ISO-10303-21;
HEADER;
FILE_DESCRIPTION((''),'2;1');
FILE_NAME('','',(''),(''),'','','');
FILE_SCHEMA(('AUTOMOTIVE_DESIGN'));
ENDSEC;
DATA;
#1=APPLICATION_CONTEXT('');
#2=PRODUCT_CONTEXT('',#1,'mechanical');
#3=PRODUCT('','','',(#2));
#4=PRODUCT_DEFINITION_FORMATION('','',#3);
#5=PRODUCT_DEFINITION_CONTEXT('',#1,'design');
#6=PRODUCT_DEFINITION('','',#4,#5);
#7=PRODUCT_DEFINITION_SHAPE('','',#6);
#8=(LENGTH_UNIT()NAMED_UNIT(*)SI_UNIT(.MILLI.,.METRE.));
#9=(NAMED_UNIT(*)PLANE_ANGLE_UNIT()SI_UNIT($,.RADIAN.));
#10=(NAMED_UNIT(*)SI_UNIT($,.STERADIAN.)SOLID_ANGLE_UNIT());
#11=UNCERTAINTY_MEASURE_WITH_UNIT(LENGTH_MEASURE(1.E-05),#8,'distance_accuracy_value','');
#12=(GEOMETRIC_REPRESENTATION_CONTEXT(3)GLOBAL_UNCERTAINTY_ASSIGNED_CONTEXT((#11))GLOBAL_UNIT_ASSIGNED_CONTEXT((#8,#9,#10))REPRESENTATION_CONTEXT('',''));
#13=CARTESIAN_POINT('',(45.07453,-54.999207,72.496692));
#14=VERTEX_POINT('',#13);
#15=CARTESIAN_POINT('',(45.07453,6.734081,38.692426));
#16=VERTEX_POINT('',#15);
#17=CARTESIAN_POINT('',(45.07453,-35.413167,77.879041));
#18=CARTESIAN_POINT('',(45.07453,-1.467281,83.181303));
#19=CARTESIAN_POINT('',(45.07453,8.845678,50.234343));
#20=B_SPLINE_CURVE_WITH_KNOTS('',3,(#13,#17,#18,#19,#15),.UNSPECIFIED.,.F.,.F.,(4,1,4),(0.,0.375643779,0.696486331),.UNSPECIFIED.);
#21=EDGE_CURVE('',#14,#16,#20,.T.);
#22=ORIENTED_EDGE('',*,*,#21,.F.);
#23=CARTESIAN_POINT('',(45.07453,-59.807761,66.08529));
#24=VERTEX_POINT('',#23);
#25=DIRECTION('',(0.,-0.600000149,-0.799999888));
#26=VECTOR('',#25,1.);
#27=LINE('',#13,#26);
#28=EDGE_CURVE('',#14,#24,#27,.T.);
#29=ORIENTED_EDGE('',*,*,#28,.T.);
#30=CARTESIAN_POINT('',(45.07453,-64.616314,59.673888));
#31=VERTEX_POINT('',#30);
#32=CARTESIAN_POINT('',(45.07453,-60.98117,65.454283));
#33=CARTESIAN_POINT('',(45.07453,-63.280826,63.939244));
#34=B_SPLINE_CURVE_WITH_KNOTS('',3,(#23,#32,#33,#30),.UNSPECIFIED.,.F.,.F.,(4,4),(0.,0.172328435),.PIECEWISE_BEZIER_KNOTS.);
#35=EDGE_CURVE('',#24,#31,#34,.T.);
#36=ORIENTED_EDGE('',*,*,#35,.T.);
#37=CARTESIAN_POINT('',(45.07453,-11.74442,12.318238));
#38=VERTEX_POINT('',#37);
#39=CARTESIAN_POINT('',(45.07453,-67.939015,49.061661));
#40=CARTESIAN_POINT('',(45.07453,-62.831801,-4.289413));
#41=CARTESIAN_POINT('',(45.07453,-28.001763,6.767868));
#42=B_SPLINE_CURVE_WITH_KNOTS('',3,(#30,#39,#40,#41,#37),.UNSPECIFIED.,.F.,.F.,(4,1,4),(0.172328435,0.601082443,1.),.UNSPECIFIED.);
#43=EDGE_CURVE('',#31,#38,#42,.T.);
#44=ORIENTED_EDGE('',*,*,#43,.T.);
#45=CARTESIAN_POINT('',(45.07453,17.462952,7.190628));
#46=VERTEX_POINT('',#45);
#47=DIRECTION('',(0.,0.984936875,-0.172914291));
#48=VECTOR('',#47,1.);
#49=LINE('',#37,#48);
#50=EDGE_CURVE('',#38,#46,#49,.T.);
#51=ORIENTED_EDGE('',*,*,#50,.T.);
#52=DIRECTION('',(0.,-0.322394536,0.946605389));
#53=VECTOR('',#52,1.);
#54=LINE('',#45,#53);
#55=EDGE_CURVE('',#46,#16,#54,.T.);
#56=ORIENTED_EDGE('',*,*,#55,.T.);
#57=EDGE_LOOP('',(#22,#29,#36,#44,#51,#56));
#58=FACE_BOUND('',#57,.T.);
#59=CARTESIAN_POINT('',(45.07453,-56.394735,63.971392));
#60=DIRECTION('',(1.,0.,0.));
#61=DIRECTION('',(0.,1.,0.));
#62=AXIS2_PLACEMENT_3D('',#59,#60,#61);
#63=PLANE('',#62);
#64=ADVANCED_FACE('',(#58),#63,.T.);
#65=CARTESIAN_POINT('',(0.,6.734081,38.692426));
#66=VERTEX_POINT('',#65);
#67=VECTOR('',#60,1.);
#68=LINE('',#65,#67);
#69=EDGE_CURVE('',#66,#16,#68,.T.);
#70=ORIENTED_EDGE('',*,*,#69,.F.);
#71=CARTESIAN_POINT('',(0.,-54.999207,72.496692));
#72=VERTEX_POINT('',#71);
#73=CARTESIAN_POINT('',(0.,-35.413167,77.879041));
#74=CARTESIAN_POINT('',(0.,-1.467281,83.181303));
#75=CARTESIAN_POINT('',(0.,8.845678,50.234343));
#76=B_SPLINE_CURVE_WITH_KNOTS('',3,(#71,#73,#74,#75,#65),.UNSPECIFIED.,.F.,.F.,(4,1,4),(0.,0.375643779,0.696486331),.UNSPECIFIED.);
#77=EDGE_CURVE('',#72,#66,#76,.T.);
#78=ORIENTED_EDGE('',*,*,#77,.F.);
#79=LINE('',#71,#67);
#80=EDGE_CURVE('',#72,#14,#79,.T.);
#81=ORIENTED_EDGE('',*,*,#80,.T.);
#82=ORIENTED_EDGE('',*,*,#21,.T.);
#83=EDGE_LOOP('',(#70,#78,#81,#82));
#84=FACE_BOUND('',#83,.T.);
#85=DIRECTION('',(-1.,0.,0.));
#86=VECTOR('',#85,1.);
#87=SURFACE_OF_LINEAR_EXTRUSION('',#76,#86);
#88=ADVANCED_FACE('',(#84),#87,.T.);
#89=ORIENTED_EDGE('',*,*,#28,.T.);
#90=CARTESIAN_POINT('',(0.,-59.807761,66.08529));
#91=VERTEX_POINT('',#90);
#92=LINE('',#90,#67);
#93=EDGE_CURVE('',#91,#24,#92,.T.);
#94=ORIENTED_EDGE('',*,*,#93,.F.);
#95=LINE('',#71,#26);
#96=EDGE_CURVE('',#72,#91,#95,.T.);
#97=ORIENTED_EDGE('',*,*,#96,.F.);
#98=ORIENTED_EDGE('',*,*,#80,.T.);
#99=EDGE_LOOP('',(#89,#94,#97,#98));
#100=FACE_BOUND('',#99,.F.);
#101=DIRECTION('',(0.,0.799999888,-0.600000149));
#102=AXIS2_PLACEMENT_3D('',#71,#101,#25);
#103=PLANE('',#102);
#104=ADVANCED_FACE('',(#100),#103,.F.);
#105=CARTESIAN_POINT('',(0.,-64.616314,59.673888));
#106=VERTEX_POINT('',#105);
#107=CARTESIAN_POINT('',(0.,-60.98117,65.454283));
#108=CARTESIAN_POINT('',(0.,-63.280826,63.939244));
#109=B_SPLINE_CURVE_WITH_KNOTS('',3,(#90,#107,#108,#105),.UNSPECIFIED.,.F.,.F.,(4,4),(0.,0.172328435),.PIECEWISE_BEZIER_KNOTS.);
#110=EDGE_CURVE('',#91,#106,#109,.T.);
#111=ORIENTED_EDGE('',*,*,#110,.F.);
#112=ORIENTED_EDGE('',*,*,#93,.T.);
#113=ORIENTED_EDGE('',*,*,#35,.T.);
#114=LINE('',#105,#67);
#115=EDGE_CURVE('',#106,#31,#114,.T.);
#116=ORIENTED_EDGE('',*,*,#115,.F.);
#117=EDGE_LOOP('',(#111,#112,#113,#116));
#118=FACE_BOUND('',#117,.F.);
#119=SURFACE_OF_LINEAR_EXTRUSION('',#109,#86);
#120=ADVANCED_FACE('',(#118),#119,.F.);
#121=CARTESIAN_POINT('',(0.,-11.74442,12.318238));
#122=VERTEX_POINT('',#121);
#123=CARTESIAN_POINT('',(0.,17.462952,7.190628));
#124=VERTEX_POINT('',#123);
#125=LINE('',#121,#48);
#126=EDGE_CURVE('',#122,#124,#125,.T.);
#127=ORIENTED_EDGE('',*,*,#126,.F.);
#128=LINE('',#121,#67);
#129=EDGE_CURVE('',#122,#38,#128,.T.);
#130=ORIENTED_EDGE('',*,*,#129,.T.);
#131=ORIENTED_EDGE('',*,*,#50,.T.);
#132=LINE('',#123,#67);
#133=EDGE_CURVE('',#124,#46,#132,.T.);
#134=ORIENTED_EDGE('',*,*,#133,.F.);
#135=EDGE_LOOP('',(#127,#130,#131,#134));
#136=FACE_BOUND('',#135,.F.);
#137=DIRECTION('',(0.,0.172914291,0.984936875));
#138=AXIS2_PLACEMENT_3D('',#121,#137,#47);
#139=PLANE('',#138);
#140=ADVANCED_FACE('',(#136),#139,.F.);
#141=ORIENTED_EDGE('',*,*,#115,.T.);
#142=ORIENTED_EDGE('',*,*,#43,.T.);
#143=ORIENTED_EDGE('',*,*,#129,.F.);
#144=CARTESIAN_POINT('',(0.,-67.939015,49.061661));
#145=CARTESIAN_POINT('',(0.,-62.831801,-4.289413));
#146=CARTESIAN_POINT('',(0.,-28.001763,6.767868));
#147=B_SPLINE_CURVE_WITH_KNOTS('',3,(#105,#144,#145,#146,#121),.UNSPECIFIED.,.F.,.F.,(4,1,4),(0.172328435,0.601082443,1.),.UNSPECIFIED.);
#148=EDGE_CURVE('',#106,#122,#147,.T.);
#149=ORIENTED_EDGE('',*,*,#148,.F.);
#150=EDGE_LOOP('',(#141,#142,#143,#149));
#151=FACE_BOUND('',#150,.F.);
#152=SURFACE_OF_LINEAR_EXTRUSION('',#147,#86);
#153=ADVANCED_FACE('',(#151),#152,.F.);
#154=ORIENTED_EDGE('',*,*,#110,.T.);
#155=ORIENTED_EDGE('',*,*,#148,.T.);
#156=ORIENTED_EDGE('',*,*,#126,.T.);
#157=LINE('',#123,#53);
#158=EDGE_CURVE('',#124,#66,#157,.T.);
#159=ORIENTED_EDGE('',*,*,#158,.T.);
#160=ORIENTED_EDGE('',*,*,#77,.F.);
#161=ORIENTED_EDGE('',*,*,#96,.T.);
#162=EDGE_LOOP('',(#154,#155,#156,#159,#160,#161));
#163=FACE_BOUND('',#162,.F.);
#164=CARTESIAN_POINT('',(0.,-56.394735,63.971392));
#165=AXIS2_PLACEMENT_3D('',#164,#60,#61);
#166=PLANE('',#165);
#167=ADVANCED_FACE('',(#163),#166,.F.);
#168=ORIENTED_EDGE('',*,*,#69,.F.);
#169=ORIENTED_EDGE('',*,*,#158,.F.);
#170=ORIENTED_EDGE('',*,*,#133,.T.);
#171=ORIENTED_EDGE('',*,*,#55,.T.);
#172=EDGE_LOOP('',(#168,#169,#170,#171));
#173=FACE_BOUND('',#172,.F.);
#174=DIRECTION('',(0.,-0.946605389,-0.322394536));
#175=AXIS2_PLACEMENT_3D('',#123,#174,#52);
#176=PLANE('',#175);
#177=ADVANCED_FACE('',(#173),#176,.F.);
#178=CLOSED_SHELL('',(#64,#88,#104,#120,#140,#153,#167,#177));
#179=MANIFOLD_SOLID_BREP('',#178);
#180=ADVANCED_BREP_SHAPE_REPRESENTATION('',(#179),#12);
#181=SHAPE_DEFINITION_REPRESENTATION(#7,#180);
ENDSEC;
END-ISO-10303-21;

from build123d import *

# Parameters (mm, degrees)
F1_DEPTH = 45.07453


with BuildPart() as f1:
    # F0 (on Right) → F1 (new body)
    with BuildSketch(Plane.YZ):
        Polygon((-59.807760641, 66.0852901638), (-64.6163138319, 59.6738884004), (-49.002295057, 59.9308239749), (-54.9992074501, 72.4966919271), align=None)
        with BuildLine():
            add(Edge.make_bspline(
                [(-59.807760641, 66.0852901638), (-60.9811697449, 65.4542834753), (-63.2808257205, 63.9392444645), (-64.6163138319, 59.6738884004)],
                knots=[0, 0, 0, 0, 0.1723284347, 0.1723284347, 0.1723284347, 0.1723284347], degree=3))
            Line((-64.6163138319, 59.6738884004), (-59.807760641, 66.0852901638))
        make_face()
        with BuildLine():
            Line((-49.002295057, 59.9308239749), (-64.6163138319, 59.6738884004))
            add(Edge.make_bspline(
                [(-64.6163138319, 59.6738884004), (-67.9390149419, 49.0616611493), (-62.8318014713, -4.2894128494), (-28.0017629982, 6.7678682332), (-11.7444196583, 12.3182377696)],
                knots=[0.1723284347, 0.1723284347, 0.1723284347, 0.1723284347, 0.6010824434, 1, 1, 1, 1], degree=3))
            Line((-11.7444196583, 12.3182377696), (-38.3074693382, 37.5209972262))
            Line((-38.3074693382, 37.5209972262), (-49.002295057, 59.9308239749))
        make_face()
        with BuildLine():
            Line((-54.9992074501, 72.4966919271), (-49.002295057, 59.9308239749))
            Line((-49.002295057, 59.9308239749), (-21.8001566827, 60.378447175))
            Line((-21.8001566827, 60.378447175), (6.7340806127, 38.6924259365))
            add(Edge.make_bspline(
                [(-54.9992074501, 72.4966919271), (-35.4131674819, 77.87904108), (-1.4672811929, 83.1813030732), (8.8456780891, 50.234342576), (6.7340806127, 38.6924259365)],
                knots=[0, 0, 0, 0, 0.3756437786, 0.6964863312, 0.6964863312, 0.6964863312, 0.6964863312], degree=3))
        make_face()
        with BuildLine():
            Line((-21.8001566827, 60.378447175), (-49.002295057, 59.9308239749))
            Line((-49.002295057, 59.9308239749), (-38.3074693382, 37.5209972262))
            Line((-38.3074693382, 37.5209972262), (-11.7444196583, 12.3182377696))
            add(Edge.make_bspline(
                [(6.7340806127, 38.6924259365), (4.7365316845, 27.7738946024), (-3.4021095863, 20.1086597263), (-11.7444196583, 12.3182377696)],
                knots=[0.6964863312, 0.6964863312, 0.6964863312, 0.6964863312, 1, 1, 1, 1], degree=3))
            Line((6.7340806127, 38.6924259365), (-21.8001566827, 60.378447175))
        make_face()
        with BuildLine():
            add(Edge.make_bspline(
                [(6.7340806127, 38.6924259365), (4.7365316845, 27.7738946024), (-3.4021095863, 20.1086597263), (-11.7444196583, 12.3182377696)],
                knots=[0.6964863312, 0.6964863312, 0.6964863312, 0.6964863312, 1, 1, 1, 1], degree=3))
            Line((-11.7444196583, 12.3182377696), (17.4629520625, 7.1906279773))
            Line((17.4629520625, 7.1906279773), (6.7340806127, 38.6924259365))
        make_face()
    extrude(amount=F1_DEPTH)


solid = f1.part
